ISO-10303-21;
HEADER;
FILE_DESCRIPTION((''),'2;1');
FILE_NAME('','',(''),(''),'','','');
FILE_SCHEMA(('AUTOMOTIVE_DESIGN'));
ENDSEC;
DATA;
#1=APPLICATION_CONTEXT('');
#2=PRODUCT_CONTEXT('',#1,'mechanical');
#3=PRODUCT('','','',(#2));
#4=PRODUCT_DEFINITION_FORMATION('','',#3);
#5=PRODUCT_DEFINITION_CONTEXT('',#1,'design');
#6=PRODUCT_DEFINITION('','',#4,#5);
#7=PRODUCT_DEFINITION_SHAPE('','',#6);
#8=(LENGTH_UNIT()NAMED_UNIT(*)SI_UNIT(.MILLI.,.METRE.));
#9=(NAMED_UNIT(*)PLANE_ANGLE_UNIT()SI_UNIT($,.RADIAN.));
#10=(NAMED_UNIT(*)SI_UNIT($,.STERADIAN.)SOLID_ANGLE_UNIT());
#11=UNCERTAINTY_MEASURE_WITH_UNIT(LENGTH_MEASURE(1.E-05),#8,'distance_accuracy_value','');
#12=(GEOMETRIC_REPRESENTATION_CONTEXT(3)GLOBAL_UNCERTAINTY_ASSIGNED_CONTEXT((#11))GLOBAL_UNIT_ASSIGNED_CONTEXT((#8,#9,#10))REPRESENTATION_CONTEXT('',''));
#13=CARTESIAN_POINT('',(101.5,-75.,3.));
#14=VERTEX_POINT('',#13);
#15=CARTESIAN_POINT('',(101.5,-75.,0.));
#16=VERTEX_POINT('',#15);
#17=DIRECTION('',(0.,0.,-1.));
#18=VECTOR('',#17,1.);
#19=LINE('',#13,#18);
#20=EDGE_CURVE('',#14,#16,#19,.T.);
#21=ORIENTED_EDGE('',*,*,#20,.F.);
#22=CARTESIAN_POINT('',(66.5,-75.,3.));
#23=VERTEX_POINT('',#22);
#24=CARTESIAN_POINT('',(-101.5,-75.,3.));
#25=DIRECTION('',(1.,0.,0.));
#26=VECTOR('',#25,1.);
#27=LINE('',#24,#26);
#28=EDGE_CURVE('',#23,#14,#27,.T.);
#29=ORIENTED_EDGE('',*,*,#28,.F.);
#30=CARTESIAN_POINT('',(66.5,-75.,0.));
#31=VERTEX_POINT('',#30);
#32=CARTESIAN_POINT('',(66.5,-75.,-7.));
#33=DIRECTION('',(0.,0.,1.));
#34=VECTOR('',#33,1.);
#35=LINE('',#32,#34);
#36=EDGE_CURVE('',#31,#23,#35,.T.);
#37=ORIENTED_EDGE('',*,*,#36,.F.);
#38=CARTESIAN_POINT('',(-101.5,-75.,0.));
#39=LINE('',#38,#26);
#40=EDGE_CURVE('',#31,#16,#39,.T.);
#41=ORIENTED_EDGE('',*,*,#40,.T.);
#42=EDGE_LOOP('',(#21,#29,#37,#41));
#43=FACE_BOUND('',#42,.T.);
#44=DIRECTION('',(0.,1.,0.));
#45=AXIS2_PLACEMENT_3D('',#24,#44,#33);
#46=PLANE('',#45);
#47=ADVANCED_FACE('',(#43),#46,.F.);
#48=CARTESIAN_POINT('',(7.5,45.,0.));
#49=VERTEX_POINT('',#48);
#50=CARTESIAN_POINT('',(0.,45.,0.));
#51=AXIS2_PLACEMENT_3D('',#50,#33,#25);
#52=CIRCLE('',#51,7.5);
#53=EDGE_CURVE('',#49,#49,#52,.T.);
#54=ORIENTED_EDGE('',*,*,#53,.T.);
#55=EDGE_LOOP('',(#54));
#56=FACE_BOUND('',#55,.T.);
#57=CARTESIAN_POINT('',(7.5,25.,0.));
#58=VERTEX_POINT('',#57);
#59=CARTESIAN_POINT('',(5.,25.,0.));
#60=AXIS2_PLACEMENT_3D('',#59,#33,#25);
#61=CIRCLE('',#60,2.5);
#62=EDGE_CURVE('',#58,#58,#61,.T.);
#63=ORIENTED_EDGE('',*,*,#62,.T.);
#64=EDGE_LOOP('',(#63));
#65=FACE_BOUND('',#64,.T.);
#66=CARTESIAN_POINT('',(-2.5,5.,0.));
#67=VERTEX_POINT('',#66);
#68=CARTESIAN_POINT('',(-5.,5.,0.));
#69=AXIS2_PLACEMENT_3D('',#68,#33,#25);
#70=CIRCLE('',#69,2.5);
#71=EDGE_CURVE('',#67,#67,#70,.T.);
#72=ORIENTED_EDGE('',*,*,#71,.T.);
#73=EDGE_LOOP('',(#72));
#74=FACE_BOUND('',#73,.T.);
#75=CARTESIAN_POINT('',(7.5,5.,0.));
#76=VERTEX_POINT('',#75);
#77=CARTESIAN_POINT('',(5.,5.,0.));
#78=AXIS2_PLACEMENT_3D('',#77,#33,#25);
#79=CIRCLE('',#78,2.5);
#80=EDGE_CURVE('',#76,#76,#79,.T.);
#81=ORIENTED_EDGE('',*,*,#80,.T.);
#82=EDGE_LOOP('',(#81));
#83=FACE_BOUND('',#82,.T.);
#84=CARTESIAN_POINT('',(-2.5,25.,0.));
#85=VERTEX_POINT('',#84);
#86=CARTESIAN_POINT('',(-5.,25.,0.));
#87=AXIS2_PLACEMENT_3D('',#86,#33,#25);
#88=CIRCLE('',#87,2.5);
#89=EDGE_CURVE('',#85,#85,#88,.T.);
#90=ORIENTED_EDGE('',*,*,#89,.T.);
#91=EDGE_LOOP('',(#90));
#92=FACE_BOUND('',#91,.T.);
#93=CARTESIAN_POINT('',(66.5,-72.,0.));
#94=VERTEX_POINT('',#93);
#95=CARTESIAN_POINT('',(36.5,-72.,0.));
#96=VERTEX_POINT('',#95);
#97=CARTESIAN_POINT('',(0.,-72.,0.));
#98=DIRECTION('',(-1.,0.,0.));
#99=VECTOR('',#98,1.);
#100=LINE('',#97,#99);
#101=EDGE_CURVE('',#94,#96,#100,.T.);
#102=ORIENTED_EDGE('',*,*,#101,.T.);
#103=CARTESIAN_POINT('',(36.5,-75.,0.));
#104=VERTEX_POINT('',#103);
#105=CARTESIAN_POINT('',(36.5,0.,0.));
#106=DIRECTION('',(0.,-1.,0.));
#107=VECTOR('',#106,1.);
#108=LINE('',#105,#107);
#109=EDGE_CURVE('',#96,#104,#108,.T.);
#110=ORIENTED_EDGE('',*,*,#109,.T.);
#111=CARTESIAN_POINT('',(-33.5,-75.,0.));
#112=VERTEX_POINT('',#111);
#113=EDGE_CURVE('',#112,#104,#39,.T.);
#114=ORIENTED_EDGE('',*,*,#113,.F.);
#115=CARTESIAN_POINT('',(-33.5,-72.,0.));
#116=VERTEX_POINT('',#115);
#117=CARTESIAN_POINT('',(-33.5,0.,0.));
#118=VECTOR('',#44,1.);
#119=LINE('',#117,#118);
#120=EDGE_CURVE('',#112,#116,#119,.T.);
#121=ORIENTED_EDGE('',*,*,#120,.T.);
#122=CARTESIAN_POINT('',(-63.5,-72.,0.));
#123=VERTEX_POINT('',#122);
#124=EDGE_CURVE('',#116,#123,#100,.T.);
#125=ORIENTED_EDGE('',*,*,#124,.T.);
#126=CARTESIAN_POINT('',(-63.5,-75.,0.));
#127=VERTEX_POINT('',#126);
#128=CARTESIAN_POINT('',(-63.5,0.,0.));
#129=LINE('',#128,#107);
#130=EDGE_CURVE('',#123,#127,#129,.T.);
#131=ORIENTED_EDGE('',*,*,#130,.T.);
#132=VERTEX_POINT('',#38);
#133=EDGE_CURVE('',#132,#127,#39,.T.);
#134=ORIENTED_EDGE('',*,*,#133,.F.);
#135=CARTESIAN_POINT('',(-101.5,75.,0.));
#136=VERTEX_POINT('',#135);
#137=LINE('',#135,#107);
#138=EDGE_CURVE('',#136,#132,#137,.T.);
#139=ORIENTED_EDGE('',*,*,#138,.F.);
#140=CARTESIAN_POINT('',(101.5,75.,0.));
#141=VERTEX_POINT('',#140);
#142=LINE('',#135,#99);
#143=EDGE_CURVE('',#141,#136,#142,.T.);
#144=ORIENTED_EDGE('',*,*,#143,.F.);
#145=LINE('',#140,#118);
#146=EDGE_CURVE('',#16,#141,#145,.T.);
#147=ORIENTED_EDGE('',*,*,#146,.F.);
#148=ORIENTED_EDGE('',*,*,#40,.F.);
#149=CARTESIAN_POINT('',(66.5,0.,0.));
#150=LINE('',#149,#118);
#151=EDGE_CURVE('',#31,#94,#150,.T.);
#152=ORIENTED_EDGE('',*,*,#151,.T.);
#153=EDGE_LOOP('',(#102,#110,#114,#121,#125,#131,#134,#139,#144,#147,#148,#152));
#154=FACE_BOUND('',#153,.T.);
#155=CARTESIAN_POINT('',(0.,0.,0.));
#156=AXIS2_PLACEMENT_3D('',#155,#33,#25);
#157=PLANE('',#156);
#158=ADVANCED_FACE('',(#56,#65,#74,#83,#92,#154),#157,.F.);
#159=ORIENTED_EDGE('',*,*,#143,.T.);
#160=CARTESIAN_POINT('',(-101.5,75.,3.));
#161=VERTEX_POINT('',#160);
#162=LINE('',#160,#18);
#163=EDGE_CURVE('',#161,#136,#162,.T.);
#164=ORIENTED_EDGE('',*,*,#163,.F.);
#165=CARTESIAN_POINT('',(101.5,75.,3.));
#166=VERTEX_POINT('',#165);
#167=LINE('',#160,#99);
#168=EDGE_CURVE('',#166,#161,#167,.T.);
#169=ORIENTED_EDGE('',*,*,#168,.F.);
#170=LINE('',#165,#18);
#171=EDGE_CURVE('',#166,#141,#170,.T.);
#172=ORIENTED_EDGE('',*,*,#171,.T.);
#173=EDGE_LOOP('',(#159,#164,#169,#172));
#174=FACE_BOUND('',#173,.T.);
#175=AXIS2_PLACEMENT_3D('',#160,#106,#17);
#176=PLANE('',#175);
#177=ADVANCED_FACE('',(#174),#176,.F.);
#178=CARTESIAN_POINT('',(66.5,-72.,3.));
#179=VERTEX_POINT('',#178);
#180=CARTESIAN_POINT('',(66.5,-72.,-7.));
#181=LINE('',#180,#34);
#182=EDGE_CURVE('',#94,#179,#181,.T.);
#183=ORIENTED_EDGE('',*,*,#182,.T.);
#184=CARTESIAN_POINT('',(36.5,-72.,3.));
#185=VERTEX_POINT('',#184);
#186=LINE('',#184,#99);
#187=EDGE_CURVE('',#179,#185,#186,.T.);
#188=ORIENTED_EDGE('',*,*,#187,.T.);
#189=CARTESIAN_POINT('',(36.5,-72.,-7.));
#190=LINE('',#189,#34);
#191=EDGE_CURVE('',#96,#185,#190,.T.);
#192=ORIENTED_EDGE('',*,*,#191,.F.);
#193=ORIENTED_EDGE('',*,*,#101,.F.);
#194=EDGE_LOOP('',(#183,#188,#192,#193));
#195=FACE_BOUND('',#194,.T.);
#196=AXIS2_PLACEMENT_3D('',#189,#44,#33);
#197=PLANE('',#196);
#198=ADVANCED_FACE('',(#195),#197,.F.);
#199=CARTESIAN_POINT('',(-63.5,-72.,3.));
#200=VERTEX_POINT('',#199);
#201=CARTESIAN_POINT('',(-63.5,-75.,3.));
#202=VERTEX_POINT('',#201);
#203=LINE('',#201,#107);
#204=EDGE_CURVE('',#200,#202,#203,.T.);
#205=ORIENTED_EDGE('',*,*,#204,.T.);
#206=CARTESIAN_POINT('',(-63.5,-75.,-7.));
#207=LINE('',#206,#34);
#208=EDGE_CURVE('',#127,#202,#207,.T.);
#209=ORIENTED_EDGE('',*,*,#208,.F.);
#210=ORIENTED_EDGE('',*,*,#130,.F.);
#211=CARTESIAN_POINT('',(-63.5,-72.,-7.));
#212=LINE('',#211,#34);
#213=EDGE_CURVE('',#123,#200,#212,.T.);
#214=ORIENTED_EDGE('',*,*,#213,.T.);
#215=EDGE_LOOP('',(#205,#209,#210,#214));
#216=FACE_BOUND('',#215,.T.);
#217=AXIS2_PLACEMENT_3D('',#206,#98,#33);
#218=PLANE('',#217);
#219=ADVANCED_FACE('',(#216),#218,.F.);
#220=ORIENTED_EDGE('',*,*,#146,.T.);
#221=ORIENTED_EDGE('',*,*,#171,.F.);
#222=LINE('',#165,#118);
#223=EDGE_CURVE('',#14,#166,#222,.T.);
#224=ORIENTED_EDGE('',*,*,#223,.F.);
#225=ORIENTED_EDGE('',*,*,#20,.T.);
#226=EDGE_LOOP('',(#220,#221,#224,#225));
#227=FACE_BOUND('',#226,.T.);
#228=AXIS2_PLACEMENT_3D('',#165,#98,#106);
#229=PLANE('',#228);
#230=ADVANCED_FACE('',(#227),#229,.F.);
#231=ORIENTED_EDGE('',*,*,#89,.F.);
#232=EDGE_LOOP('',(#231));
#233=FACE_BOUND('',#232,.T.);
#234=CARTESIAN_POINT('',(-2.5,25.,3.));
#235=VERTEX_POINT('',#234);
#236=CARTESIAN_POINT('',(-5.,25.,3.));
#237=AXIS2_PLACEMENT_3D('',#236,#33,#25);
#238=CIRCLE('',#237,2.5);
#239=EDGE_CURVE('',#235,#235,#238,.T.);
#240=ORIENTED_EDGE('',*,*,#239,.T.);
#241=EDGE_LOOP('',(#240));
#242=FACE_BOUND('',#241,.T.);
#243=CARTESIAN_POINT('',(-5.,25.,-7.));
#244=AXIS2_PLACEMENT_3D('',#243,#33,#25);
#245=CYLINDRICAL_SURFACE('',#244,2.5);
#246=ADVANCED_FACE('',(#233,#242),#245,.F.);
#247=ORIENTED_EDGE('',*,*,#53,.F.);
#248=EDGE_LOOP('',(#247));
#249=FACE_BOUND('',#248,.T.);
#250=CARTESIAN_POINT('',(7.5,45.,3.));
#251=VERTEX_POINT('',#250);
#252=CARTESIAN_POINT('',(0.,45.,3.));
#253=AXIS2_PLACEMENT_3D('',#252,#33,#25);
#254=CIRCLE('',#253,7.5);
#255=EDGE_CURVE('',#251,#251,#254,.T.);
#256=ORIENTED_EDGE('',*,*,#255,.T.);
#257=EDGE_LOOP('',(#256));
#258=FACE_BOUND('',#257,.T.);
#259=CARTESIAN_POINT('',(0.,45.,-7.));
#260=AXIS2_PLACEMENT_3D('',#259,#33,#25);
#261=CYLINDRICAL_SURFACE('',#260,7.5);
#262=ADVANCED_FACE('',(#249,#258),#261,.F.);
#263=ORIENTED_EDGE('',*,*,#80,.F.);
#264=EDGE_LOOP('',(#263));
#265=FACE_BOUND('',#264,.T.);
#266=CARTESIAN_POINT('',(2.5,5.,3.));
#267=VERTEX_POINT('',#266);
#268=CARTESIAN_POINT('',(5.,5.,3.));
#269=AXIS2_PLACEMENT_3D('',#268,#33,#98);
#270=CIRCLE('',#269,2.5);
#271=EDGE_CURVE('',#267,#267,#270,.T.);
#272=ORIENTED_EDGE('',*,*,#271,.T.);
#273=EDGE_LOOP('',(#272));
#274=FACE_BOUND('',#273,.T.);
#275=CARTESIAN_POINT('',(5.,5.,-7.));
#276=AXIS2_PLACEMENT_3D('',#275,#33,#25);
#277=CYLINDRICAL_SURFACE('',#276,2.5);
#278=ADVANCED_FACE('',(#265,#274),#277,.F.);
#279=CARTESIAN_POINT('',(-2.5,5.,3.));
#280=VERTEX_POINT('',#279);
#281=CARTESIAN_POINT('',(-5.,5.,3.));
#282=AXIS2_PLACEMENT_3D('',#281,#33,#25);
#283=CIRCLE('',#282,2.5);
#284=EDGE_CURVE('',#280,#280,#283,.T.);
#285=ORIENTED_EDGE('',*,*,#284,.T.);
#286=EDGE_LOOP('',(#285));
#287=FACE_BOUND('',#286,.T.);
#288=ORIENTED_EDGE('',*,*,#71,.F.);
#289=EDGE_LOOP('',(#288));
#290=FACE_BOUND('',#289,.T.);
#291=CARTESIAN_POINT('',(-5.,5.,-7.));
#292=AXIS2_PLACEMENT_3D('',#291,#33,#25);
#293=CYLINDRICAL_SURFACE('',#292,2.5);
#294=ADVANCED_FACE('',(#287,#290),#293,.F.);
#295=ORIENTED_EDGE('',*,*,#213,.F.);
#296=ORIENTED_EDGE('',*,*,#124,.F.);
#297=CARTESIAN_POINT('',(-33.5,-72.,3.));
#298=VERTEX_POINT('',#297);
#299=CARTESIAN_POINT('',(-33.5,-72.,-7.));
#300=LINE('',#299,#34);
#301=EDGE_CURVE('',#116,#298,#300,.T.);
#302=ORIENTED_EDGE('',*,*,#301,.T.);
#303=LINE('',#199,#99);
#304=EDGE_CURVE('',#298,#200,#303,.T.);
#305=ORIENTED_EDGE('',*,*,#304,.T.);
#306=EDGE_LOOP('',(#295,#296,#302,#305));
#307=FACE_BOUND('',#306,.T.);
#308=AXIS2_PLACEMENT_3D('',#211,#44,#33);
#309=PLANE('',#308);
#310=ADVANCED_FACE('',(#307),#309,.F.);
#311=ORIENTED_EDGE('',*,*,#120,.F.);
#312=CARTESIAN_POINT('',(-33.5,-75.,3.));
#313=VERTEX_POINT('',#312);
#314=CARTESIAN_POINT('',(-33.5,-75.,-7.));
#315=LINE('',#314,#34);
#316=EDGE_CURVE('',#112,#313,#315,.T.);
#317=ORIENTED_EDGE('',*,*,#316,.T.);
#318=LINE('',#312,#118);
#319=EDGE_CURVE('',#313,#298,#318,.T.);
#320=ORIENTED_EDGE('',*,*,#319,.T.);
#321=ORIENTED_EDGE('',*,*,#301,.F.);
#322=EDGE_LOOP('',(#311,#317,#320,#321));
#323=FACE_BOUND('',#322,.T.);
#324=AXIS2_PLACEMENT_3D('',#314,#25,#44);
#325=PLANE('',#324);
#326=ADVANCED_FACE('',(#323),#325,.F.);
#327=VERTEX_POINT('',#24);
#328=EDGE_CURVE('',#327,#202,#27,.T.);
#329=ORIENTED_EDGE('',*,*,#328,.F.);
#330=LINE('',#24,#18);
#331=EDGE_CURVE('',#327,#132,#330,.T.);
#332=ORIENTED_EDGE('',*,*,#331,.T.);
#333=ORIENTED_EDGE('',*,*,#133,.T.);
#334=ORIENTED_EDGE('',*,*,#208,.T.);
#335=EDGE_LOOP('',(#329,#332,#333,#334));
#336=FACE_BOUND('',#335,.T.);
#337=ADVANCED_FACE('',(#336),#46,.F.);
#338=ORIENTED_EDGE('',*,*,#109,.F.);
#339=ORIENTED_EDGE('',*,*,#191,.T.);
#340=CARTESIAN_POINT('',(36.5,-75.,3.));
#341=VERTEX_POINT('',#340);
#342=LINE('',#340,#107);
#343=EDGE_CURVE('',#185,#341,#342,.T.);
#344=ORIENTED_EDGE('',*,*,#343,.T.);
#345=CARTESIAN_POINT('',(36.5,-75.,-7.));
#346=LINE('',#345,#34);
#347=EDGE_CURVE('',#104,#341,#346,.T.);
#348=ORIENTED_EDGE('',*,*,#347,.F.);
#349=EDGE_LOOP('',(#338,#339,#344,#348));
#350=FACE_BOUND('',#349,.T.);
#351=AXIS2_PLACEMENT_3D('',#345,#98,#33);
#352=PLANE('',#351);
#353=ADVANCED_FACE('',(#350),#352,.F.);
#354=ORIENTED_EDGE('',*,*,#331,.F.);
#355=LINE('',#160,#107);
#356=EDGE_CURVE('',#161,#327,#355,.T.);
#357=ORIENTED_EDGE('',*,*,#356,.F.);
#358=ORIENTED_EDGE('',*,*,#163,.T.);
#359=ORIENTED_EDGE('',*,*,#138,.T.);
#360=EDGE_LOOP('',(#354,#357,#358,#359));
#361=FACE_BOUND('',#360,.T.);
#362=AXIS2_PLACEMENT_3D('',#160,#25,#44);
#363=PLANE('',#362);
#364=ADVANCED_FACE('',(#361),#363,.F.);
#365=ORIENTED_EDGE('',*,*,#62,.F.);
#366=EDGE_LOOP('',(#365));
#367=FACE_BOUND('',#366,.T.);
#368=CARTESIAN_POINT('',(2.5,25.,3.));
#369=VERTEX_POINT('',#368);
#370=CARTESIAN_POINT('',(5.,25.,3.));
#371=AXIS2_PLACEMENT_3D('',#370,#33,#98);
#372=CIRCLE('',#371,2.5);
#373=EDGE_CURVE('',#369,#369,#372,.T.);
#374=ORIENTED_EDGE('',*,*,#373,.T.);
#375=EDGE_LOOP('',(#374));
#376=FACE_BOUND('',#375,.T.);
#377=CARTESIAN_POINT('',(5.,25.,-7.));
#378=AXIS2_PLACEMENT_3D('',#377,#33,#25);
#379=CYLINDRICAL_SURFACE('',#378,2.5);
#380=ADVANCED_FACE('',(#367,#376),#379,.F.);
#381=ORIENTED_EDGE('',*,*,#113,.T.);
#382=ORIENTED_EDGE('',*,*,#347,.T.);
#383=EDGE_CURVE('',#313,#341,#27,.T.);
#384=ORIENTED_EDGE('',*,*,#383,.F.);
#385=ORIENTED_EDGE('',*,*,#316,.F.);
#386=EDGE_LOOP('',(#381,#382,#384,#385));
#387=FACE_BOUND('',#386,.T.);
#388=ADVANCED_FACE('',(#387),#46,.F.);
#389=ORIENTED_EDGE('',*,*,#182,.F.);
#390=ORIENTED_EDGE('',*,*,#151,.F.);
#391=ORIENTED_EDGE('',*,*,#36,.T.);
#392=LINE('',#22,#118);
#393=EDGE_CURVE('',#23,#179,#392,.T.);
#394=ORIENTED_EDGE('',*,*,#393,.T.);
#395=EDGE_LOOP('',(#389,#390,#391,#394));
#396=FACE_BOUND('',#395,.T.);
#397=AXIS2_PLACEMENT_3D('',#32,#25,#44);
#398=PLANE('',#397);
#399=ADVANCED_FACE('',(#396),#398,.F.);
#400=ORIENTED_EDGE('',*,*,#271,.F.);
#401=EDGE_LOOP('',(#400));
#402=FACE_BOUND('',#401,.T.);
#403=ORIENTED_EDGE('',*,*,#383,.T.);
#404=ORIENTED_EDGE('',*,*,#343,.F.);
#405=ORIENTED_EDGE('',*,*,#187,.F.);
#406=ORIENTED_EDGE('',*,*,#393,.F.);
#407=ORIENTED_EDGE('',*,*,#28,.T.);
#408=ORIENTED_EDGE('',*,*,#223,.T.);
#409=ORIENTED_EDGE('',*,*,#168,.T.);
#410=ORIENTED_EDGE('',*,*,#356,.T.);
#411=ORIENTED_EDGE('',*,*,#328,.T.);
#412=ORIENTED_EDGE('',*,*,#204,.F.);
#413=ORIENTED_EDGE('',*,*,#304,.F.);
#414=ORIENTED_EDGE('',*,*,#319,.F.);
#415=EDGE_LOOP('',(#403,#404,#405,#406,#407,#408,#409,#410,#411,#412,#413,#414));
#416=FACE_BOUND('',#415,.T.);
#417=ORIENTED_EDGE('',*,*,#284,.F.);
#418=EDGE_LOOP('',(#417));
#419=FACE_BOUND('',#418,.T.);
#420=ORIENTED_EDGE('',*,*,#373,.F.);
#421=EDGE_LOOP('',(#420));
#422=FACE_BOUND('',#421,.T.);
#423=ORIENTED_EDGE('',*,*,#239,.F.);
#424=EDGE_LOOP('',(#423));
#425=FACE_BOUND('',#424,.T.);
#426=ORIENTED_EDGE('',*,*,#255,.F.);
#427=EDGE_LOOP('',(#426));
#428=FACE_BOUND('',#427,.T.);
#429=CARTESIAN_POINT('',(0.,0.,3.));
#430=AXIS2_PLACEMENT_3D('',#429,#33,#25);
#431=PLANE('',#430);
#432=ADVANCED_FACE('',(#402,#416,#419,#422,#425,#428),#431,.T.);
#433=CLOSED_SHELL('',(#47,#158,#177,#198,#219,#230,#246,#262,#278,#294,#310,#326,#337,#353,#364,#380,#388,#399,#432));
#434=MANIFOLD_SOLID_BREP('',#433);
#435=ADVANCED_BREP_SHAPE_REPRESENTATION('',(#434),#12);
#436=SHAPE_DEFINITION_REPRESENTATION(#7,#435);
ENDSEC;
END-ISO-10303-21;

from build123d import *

# Parameters (mm, degrees)
SKETCH1_W           = 203
SKETCH1_H           = 150
BOSS_EXTRUDE1_DEPTH = 3
SKETCH3_R           = 7.5
SKETCH3_R_2         = 2.5
CUT_EXTRUDE2_DEPTH  = 10
SKETCH4_W           = 30
SKETCH4_H           = 3
CUT_EXTRUDE3_DEPTH  = 10


with BuildPart() as part:
    # Sketch1 → Boss-Extrude1 (new body)
    with BuildSketch(Plane.XY):
        Rectangle(SKETCH1_W, SKETCH1_H)
    extrude(amount=BOSS_EXTRUDE1_DEPTH)

    # Sketch3 → Cut-Extrude2 (cut)
    with BuildSketch(Plane.XY.offset(3)):
        with Locations((0, 45)):
            Circle(SKETCH3_R)
        with Locations((-5, 25)):
            Circle(SKETCH3_R_2)
        with Locations((-5, 5)):
            Circle(SKETCH3_R_2)
        with Locations((5, 5)):
            Circle(SKETCH3_R_2)
        with Locations((5, 25)):
            Circle(SKETCH3_R_2)
    extrude(amount=-CUT_EXTRUDE2_DEPTH, mode=Mode.SUBTRACT)

    # Sketch4 → Cut-Extrude3 (cut)
    with BuildSketch(Plane.XY.offset(3)):
        with Locations((-48.5, -73.5)):
            Rectangle(SKETCH4_W, SKETCH4_H)
        with Locations((51.5, -73.5)):
            Rectangle(SKETCH4_W, SKETCH4_H)
    extrude(amount=-CUT_EXTRUDE3_DEPTH, mode=Mode.SUBTRACT)


solid = part.part
